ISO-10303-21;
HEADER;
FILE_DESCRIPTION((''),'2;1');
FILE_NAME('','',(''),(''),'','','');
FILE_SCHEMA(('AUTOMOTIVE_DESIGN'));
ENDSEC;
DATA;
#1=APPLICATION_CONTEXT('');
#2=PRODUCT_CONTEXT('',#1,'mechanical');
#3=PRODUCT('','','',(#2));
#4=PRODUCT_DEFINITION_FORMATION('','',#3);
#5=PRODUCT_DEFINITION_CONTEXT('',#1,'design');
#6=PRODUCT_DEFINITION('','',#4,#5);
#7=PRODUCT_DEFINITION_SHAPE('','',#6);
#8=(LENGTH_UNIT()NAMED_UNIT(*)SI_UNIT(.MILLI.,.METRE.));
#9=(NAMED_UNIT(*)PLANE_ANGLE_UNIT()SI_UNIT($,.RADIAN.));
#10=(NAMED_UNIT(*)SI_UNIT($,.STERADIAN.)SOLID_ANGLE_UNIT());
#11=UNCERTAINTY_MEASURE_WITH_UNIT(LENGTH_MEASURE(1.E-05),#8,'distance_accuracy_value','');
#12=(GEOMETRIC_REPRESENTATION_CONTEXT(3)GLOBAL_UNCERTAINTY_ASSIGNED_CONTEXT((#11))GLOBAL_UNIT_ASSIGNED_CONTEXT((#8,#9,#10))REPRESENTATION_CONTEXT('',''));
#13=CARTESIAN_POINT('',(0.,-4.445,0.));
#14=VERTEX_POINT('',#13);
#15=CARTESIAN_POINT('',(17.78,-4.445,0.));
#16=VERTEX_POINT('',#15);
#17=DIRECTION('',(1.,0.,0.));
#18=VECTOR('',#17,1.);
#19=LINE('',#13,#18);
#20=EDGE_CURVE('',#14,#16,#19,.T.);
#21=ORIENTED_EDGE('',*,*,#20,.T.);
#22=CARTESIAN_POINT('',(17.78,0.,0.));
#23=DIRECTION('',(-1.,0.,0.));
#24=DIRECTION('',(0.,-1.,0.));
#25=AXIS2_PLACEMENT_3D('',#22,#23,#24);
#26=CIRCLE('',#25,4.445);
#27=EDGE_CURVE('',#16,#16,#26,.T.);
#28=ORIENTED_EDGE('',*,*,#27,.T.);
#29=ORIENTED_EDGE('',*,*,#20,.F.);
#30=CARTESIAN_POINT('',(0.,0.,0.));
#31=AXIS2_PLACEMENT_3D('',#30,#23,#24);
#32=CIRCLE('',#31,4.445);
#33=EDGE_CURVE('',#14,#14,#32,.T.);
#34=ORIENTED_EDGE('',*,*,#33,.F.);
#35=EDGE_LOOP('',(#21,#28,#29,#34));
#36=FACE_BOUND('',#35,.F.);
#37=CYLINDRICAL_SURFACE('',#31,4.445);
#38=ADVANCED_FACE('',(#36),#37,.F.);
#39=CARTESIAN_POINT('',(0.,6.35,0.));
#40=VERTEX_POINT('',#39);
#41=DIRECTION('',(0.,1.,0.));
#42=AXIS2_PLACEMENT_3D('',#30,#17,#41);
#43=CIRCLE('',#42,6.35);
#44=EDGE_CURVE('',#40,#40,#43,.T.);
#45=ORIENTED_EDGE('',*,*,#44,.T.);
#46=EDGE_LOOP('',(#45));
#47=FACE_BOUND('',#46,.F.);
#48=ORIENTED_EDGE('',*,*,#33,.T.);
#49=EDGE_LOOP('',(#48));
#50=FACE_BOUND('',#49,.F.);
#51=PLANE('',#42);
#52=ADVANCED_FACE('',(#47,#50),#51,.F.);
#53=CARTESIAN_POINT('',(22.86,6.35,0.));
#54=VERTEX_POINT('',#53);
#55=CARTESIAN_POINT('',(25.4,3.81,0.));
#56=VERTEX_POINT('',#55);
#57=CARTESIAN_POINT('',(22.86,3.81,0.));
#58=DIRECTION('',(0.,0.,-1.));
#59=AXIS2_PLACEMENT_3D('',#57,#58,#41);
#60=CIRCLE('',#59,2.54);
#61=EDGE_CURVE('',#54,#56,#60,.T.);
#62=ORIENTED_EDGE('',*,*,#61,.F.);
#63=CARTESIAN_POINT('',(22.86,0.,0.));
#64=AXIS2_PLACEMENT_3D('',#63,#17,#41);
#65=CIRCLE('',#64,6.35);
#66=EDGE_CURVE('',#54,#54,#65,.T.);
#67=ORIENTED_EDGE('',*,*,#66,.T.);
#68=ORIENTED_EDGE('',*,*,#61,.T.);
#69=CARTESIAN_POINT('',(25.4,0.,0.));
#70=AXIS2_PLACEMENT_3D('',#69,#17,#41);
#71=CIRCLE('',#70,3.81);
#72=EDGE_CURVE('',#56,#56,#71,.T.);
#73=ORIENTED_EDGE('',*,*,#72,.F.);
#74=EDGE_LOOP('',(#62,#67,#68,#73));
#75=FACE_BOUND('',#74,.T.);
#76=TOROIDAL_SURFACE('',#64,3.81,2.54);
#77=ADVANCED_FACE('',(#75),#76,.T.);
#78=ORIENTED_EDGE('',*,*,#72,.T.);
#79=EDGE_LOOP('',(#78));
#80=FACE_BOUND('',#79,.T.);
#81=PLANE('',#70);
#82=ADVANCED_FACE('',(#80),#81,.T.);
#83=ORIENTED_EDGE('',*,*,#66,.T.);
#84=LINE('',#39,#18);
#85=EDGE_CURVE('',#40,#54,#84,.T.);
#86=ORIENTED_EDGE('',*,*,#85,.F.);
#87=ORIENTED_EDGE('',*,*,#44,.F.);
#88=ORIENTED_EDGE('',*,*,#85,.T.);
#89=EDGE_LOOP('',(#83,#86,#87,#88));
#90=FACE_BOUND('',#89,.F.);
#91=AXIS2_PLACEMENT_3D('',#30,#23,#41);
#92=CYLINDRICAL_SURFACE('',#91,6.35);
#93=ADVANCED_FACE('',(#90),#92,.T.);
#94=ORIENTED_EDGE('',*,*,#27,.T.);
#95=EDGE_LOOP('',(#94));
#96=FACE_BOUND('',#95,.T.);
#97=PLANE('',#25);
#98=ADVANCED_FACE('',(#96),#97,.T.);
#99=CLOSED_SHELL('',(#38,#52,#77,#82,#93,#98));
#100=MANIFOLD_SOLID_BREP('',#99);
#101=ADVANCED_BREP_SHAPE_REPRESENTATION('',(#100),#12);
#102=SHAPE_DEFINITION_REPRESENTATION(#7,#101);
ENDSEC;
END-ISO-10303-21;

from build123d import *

# Parameters (mm, degrees)
F0_R     = 6.35
F1_DEPTH = 25.4
F2_R     = 4.445
F3_DEPTH = 17.78
F4_R     = 2.54


with BuildPart() as f1:
    # F0 (on Right) → F1 (new body)
    with BuildSketch(Plane.YZ):
        Circle(F0_R)
    extrude(amount=F1_DEPTH)

    # F2 (on face) → F3 (cut)
    with BuildSketch(Plane(origin=(0, 0, 0), x_dir=(0, -1, 0), z_dir=(-1, 0, 0))):
        Circle(F2_R)
    extrude(amount=-F3_DEPTH, mode=Mode.SUBTRACT)

    # F4
    f4_edges = [f1.edges().sort_by_distance(p)[0] for p in [
        (25.4, -6.35, 0),
    ]]
    fillet(f4_edges, radius=F4_R)


solid = f1.part
